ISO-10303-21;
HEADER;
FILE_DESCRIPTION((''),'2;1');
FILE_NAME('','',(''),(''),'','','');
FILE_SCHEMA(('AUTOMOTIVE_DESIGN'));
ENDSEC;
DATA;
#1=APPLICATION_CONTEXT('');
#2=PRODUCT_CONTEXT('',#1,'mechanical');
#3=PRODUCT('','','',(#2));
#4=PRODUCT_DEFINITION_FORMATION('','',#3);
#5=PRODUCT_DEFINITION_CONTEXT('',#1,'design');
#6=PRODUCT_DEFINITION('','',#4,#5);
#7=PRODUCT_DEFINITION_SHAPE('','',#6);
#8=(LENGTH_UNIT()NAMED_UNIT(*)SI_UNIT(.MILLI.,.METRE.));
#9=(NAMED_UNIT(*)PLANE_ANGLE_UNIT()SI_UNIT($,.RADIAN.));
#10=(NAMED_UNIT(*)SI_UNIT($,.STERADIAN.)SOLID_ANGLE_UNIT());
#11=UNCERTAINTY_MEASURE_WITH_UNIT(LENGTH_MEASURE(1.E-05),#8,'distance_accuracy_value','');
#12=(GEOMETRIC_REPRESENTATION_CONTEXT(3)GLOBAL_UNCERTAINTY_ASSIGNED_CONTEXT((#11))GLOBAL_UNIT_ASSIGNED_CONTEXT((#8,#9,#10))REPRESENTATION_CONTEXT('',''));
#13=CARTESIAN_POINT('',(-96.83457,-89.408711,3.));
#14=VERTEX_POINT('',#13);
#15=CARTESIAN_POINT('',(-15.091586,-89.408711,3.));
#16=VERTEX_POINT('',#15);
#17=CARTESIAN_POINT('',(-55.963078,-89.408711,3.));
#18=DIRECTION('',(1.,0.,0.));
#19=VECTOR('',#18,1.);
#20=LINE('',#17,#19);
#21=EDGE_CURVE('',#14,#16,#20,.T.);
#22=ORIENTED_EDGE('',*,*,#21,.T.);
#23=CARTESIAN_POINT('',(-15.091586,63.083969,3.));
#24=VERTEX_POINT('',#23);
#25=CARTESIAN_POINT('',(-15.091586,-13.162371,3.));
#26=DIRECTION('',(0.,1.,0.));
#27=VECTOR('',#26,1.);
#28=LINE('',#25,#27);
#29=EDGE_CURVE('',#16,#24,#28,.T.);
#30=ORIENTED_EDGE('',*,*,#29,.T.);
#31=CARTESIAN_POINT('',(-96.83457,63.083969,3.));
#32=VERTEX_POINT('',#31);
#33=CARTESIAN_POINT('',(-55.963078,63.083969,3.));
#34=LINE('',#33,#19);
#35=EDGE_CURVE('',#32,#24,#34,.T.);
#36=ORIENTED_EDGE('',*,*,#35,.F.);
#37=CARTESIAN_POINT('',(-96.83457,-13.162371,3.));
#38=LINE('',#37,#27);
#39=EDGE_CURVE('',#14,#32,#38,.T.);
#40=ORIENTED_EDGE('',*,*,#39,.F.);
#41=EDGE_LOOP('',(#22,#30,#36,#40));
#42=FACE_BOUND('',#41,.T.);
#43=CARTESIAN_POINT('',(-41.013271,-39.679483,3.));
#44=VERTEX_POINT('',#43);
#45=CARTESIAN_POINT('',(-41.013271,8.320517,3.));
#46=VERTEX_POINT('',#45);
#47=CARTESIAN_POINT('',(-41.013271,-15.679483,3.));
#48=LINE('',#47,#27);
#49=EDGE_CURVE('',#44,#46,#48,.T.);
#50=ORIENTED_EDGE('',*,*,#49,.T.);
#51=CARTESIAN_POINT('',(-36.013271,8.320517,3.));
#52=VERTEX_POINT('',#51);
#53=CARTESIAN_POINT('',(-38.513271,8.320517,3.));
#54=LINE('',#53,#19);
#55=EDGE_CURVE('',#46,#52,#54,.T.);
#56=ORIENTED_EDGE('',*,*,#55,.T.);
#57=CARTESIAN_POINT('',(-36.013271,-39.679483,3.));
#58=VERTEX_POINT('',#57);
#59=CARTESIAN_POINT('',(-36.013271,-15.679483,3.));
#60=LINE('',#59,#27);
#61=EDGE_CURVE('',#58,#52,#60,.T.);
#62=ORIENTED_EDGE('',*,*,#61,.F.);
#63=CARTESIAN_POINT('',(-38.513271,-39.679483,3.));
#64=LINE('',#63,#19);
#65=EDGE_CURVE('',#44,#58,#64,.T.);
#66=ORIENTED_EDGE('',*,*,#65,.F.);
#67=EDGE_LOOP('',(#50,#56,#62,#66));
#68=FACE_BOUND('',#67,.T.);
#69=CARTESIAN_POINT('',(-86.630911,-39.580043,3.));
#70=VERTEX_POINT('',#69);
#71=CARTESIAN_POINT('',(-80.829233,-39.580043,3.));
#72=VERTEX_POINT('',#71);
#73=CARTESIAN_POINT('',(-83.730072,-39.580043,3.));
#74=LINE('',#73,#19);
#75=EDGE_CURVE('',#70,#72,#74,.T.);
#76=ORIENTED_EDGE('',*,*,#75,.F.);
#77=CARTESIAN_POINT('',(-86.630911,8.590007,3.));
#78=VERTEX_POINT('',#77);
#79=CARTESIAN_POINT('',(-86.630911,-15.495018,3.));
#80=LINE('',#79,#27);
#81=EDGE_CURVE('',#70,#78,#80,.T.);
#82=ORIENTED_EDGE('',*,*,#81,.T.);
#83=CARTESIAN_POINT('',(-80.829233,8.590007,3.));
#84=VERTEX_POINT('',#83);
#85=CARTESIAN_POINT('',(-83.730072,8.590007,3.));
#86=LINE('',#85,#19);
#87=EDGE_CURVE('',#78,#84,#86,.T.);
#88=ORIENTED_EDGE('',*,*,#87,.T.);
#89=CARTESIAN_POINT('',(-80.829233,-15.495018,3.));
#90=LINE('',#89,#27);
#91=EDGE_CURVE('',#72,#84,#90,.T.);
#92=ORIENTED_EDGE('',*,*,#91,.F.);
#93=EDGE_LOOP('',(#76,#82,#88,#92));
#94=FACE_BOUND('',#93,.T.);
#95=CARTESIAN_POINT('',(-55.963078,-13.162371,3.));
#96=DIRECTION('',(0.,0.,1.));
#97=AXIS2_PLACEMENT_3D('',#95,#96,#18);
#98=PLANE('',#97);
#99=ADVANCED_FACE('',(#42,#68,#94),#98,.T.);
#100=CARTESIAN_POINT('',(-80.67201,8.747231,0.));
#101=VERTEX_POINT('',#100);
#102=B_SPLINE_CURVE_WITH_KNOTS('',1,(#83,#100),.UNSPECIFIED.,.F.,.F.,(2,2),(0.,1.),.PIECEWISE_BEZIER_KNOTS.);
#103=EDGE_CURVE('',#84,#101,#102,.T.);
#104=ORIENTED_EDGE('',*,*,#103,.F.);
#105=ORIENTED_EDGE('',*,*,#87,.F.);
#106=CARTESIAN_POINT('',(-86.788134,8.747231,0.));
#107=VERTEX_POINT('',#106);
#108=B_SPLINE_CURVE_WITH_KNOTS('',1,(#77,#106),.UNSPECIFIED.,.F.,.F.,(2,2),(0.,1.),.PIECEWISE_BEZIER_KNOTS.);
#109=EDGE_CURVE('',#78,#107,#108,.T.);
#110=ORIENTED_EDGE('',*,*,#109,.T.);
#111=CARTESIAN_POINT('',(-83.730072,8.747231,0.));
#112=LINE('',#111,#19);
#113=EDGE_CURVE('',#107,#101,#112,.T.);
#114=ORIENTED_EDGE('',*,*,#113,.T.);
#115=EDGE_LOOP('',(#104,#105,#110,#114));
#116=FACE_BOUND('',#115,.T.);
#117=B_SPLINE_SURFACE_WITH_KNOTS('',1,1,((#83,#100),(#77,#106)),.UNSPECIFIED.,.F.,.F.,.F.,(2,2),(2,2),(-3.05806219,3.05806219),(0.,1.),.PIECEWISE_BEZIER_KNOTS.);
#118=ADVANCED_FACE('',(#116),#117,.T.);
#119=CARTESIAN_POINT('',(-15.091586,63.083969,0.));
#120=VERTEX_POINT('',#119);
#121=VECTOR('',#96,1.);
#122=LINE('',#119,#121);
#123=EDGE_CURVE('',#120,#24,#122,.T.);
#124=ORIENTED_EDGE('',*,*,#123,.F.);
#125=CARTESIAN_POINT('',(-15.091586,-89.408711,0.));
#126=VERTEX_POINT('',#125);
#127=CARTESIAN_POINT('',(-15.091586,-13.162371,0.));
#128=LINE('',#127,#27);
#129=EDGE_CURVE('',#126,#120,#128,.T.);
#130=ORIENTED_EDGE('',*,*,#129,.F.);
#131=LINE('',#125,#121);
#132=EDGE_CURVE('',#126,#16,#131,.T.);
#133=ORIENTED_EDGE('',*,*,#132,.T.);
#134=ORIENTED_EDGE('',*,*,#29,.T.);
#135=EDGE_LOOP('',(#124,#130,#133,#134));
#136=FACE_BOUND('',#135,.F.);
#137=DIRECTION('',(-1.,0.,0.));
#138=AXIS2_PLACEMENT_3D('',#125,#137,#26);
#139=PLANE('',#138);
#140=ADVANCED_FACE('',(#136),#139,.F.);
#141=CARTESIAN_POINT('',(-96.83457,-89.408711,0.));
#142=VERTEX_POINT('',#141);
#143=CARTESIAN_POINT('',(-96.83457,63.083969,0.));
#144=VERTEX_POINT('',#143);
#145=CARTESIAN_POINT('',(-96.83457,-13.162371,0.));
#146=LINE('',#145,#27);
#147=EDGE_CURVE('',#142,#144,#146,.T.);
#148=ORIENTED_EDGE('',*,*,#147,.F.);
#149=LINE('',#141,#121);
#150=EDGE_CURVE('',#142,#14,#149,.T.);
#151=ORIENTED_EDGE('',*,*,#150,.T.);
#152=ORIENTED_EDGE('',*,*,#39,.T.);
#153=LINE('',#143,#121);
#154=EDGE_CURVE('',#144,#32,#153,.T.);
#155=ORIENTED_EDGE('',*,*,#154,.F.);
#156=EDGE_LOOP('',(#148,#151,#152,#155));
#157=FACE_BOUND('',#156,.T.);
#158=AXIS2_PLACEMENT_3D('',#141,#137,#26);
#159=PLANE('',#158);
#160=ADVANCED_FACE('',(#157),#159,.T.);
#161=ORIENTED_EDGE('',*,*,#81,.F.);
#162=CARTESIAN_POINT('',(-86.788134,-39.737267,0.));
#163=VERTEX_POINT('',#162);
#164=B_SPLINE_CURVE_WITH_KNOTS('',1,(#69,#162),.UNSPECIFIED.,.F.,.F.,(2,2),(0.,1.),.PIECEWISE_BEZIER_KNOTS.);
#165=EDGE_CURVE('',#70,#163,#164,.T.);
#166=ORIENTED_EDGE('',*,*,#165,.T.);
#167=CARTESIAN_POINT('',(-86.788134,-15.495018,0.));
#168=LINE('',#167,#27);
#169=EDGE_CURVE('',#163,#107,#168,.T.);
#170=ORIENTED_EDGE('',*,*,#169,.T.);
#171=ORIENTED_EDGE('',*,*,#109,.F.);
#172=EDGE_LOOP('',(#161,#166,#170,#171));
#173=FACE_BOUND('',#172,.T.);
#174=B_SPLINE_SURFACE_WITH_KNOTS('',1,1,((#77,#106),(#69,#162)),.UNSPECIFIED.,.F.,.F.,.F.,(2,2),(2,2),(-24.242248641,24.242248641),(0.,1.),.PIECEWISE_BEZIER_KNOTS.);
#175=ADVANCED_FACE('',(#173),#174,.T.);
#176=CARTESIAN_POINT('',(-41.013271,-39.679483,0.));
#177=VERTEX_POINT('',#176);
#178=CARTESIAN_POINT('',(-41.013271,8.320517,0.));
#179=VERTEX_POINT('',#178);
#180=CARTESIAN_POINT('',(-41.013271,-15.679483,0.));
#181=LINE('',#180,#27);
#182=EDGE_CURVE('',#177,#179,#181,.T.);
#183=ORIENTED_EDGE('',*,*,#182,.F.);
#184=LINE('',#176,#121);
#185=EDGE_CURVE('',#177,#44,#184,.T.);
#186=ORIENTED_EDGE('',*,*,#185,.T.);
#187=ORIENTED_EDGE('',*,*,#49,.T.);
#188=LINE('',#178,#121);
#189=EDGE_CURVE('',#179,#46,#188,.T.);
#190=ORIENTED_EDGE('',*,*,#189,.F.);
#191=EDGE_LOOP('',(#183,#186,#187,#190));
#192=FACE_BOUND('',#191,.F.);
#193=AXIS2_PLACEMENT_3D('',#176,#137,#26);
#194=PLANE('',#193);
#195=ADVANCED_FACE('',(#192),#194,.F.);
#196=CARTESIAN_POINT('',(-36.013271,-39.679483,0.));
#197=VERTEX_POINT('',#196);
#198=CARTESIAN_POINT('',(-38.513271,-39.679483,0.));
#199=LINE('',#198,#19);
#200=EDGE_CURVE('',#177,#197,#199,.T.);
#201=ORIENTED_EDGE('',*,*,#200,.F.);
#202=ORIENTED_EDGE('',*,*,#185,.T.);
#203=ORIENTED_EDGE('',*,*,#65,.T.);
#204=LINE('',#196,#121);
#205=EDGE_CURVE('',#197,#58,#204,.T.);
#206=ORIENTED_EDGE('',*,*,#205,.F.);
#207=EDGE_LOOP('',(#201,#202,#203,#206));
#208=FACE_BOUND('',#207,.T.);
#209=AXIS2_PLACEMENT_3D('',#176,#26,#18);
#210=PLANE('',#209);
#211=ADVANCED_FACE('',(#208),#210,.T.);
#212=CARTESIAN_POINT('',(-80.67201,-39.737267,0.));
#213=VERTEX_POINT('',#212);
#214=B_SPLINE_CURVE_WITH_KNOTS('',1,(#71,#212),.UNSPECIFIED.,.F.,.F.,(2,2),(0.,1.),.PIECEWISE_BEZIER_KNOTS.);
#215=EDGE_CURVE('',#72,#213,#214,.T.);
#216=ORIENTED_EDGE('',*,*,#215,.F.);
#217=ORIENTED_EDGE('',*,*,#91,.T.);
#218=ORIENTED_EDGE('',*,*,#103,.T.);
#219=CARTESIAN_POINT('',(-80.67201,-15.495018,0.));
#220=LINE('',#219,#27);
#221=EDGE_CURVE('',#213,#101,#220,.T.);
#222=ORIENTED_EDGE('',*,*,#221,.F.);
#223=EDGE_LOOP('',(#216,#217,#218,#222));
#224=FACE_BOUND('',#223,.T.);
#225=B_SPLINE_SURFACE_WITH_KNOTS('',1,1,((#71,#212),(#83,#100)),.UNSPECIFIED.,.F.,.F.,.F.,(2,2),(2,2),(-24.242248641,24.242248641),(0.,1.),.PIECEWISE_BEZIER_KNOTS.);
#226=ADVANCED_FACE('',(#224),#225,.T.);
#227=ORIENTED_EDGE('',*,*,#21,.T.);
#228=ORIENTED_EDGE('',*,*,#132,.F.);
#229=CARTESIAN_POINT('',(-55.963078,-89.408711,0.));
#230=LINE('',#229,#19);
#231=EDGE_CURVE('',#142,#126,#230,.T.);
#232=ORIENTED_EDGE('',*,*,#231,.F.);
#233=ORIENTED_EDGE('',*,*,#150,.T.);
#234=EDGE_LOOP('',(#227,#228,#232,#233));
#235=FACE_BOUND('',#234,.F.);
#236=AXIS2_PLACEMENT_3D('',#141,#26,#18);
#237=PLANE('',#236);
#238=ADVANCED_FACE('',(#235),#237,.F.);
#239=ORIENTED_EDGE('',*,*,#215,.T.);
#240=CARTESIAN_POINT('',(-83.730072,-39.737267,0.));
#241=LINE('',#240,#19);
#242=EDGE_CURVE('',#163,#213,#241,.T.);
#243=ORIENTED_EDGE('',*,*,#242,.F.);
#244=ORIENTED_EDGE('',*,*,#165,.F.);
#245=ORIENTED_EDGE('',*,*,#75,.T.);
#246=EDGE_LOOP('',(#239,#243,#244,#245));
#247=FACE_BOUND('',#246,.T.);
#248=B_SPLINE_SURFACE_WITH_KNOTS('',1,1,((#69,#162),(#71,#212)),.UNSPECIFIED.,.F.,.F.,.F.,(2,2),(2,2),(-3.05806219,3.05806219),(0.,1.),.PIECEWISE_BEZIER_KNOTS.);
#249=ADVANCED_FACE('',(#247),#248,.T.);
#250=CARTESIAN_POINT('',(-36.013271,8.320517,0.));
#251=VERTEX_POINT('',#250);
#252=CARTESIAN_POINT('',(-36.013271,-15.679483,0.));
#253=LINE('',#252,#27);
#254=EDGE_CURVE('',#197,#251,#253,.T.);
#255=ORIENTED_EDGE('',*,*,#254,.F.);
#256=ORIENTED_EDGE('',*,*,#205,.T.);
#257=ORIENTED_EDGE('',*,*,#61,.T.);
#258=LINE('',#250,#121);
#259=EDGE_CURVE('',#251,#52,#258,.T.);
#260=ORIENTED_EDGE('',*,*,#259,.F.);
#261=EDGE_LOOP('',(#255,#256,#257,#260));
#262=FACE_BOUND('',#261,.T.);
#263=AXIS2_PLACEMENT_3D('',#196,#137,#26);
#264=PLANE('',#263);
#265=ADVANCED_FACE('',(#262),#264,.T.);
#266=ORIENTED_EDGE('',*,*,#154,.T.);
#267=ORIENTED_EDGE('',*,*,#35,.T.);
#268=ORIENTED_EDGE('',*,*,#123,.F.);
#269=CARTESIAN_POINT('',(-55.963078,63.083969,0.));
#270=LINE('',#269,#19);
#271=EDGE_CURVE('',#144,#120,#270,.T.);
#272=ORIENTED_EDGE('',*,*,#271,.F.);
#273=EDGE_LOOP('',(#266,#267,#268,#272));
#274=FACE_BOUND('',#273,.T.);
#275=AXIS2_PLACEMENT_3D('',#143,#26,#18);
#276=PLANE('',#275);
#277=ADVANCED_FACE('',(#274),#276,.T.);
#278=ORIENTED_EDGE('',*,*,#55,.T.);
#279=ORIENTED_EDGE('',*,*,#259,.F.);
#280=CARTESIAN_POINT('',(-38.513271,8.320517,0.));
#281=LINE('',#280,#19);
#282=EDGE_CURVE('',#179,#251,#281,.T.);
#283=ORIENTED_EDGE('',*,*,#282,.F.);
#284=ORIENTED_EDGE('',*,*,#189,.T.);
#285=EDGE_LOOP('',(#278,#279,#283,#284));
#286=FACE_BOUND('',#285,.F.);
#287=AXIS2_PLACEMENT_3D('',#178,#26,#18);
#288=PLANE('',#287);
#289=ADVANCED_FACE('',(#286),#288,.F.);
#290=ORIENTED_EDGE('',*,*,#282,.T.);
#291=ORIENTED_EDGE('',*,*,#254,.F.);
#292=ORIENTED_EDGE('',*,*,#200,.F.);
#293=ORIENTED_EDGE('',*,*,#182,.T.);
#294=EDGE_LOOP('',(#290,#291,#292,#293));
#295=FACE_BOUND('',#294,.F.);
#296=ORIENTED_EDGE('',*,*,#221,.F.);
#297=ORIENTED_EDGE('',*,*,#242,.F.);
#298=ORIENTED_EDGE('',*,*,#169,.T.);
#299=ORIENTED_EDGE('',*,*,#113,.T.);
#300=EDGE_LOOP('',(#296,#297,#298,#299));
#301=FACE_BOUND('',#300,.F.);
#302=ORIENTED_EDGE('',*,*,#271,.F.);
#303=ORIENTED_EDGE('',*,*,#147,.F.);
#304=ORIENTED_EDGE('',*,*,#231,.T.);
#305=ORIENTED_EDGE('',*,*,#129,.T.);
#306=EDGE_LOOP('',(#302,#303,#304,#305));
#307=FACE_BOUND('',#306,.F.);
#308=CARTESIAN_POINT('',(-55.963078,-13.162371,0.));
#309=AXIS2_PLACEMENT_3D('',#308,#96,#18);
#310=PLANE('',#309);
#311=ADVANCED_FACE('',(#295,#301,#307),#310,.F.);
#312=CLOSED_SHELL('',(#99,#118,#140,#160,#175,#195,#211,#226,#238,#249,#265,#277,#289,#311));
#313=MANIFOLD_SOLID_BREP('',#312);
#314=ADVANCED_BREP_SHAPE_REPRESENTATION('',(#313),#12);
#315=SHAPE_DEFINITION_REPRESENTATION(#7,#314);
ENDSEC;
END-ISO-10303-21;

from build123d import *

# Parameters (mm, degrees)
F1_W     = 81.7429842427
F1_H     = 152.4926796556
F1_W_2   = 5
F1_H_2   = 48
F2_DEPTH = 3
F3_W     = 5.8016777039
F3_H     = 48.1700506061
F4_DEPTH = 3
F4_TAPER = -3


with BuildPart() as f2:
    # F1 (on face) → F2 (new body)
    with BuildSketch(Plane.XY):
        with Locations((-55.9630780481, -13.1623707712)):
            Rectangle(F1_W, F1_H)
        with Locations((-38.5132706165, -15.6794825792)):
            Rectangle(F1_W_2, F1_H_2, mode=Mode.SUBTRACT)
    extrude(amount=F2_DEPTH)

    # F3 (on face) → F4 (cut)
    with BuildSketch(Plane.XY.offset(3)):
        with Locations((-83.7300717831, -15.4950181022)):
            Rectangle(F3_W, F3_H)
    extrude(amount=-F4_DEPTH, taper=F4_TAPER, mode=Mode.SUBTRACT)


solid = f2.part
